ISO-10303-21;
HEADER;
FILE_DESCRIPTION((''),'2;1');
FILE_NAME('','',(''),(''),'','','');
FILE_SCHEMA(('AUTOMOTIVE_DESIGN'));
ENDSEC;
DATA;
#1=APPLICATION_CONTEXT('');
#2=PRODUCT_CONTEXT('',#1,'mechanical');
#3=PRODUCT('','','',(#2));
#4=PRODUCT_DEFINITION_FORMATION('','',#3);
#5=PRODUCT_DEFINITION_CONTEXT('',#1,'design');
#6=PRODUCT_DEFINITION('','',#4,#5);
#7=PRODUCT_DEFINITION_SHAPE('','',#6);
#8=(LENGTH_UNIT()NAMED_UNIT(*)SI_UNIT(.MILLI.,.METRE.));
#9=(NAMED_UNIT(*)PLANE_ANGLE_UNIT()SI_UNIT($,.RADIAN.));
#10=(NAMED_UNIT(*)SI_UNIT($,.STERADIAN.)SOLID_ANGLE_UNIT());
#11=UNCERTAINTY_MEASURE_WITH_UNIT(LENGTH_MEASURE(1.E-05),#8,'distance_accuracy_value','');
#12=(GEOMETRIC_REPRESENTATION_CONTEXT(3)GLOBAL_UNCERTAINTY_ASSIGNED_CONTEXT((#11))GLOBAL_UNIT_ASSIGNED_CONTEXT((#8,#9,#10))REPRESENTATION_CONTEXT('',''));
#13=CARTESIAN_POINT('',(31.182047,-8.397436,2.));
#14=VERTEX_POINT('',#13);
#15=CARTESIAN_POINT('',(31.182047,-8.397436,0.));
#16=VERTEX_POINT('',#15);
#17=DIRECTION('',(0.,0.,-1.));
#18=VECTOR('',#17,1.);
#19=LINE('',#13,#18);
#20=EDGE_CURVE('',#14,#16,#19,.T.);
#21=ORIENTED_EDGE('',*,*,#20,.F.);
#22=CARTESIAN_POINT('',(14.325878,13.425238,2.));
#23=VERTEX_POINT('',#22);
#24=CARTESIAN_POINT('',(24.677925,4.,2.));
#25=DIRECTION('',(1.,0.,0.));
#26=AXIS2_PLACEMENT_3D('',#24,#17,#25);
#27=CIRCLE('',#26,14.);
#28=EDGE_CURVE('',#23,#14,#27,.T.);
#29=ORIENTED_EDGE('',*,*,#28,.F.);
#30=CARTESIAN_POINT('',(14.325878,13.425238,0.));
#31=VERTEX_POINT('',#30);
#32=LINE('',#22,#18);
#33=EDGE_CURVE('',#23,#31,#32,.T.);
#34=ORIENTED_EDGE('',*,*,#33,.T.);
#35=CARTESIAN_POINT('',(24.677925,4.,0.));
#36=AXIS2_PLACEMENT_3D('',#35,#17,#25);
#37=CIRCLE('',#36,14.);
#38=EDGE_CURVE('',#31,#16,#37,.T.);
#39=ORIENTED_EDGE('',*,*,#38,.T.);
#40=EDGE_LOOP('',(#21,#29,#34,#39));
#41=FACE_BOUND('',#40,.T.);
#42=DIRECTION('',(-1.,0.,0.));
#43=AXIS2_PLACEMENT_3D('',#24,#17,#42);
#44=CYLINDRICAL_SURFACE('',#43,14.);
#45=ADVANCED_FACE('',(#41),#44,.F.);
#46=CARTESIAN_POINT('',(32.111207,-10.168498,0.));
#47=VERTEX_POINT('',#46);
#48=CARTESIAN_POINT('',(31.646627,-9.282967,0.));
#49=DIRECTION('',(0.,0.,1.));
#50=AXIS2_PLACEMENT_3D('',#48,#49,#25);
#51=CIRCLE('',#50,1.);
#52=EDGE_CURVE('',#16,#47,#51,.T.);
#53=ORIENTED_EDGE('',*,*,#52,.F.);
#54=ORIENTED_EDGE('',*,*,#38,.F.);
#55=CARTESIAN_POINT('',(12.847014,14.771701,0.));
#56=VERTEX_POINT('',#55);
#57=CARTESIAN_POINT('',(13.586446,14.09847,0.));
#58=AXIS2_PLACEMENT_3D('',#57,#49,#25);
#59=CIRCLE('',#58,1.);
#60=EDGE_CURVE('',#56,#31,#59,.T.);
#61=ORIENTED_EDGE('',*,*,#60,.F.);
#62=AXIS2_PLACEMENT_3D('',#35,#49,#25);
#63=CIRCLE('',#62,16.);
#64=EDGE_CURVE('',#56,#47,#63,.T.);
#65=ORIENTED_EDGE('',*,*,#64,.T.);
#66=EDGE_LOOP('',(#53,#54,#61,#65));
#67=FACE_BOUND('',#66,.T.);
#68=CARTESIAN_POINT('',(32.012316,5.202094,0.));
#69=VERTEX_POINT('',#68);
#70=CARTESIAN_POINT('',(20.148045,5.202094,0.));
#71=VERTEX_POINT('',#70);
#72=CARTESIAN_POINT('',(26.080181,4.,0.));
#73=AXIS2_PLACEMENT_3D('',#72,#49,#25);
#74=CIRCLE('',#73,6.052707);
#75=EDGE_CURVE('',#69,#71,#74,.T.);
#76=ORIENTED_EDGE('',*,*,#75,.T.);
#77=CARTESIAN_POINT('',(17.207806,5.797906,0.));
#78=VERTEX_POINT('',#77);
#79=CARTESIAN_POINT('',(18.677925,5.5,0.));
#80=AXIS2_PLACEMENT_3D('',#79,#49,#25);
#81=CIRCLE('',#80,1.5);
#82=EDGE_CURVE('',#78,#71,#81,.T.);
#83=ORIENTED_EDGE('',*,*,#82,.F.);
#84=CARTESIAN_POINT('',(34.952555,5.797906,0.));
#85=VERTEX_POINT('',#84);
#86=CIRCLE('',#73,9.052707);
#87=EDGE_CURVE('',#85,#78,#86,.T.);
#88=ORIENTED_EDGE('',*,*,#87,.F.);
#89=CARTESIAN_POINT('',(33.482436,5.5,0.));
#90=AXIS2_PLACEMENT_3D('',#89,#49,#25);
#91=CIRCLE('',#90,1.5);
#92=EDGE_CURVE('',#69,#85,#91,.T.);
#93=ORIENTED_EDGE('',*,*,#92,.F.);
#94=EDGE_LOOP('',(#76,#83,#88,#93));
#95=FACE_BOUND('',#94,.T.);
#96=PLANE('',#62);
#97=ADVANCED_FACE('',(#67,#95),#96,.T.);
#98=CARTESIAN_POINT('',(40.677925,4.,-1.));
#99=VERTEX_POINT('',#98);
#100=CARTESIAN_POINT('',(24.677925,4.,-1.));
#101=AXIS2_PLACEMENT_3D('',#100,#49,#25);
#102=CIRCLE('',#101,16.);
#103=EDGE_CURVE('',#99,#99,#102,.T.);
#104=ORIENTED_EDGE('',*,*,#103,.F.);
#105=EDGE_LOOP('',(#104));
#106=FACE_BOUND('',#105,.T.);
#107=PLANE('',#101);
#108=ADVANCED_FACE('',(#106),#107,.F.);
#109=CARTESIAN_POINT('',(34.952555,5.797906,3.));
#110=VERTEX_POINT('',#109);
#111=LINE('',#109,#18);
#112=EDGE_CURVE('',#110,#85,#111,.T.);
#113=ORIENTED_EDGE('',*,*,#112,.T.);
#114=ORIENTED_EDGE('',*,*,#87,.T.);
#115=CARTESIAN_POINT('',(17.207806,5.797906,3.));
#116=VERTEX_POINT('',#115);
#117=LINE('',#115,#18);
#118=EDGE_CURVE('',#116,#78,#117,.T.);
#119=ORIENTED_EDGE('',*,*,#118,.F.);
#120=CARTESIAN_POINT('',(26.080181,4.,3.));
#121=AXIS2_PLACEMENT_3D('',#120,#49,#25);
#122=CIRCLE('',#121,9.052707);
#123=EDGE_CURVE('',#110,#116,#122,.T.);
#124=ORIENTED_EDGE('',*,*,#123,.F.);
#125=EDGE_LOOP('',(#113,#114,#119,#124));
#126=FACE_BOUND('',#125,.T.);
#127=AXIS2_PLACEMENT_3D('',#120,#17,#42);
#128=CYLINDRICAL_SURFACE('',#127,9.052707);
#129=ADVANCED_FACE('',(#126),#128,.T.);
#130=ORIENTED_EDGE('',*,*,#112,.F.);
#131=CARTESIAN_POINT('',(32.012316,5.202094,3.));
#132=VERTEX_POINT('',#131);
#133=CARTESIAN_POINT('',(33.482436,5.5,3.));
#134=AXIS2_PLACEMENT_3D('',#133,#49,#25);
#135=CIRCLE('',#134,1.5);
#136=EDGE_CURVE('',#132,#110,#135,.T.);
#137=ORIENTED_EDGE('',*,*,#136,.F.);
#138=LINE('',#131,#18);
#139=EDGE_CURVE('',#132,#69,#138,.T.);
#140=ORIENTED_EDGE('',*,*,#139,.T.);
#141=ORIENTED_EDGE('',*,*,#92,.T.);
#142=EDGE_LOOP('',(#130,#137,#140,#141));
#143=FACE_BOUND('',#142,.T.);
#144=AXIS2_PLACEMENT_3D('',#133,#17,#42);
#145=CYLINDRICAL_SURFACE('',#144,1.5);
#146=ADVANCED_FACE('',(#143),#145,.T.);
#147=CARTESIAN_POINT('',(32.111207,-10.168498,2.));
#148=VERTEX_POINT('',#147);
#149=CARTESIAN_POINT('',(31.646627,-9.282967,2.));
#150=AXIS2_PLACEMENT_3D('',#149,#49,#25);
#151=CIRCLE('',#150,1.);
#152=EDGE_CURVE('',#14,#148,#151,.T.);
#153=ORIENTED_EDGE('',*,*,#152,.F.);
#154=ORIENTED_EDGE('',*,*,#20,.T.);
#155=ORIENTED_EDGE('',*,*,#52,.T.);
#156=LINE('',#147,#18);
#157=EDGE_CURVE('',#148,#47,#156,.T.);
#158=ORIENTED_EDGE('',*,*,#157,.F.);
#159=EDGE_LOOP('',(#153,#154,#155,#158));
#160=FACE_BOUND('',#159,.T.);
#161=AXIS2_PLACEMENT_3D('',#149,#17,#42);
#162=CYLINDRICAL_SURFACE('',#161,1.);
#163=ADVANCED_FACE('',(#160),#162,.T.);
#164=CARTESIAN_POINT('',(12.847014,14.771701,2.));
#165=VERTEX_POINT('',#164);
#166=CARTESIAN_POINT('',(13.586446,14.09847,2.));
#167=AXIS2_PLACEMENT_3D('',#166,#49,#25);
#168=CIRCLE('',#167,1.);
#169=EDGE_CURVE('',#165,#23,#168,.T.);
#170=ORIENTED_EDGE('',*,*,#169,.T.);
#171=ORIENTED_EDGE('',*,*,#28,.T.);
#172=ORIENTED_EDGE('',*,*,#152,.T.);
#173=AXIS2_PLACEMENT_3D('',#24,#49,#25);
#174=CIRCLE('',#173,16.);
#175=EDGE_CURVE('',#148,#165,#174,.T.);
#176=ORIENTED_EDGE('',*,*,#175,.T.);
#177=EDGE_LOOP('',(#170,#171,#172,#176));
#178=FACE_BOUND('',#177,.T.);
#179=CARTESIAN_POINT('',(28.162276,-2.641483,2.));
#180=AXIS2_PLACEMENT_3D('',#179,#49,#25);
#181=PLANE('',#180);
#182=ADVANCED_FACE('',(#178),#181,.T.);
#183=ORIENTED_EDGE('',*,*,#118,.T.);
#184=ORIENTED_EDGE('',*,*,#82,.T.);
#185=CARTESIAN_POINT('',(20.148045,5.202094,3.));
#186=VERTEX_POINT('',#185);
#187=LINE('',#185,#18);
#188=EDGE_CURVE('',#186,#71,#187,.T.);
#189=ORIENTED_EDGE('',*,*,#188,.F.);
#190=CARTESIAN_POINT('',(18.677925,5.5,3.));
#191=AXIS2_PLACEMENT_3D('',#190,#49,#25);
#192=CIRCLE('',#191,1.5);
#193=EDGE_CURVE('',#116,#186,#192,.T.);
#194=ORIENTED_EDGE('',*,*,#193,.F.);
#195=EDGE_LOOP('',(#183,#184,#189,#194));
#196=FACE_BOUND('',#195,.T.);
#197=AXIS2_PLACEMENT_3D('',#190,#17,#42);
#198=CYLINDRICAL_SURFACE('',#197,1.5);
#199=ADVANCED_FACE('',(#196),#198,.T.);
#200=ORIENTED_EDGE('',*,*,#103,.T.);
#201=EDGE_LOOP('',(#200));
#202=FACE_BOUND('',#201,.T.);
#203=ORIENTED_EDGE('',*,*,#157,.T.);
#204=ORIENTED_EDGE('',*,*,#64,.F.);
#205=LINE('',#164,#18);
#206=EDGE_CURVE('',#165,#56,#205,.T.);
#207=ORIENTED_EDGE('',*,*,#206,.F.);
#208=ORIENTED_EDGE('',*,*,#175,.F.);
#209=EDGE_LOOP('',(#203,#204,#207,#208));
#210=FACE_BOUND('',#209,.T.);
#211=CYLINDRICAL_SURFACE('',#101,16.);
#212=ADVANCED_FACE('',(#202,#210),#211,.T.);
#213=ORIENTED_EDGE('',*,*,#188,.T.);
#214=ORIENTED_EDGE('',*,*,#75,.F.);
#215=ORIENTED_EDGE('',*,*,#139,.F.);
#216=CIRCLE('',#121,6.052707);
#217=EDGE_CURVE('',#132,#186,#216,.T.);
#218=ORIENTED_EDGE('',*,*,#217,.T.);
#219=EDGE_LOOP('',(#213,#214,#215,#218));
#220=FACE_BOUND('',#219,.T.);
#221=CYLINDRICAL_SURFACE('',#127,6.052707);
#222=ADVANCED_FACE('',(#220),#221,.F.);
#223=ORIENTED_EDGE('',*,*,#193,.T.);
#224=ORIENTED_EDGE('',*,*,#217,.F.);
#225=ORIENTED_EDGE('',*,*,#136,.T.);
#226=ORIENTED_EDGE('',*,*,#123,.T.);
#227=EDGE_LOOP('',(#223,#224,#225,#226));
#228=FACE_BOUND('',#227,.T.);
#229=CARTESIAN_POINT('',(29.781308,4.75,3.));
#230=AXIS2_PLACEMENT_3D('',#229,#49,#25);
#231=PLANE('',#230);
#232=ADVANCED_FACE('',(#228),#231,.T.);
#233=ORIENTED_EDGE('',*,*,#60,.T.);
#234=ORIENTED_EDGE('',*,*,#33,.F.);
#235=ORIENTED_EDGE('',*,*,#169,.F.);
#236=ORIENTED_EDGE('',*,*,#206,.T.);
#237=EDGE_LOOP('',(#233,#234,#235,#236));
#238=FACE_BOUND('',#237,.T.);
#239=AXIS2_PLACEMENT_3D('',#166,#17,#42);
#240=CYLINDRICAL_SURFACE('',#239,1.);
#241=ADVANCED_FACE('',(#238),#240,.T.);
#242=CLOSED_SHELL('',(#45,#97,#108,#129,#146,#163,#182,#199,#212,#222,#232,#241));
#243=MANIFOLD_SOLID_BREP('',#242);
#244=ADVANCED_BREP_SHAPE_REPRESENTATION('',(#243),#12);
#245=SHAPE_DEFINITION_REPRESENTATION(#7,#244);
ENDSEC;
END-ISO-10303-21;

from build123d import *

# Parameters (mm, degrees)
SKETCH1_R           = 16
BOSS_EXTRUDE1_DEPTH = 1
BOSS_EXTRUDE2_DEPTH = 3
BOSS_EXTRUDE3_START = 2
BOSS_EXTRUDE3_DEPTH = 2


with BuildPart() as part:
    # Sketch1 → Boss-Extrude1 (new body)
    with BuildSketch(Plane.XY):
        with Locations((24.677925359, 4)):
            Circle(SKETCH1_R)
    extrude(amount=-BOSS_EXTRUDE1_DEPTH)

    # Sketch1<3> → Boss-Extrude2 (add)
    with BuildSketch(Plane.XY):
        with BuildLine():
            ThreePointArc((34.952555431, 5.797906435), (26.080180575, 13.052706951), (17.207805718, 5.797906435))
            ThreePointArc((17.207805718, 5.797906435), (18.380018924, 4.02988036), (20.148044999, 5.202093565))
            ThreePointArc((20.148044999, 5.202093565), (26.080180575, 10.052706951), (32.01231615, 5.202093565))
            ThreePointArc((32.01231615, 5.202093565), (33.780342225, 4.02988036), (34.952555431, 5.797906435))
        make_face()
    extrude(amount=BOSS_EXTRUDE2_DEPTH)

    # Sketch2 → Boss-Extrude3 (add)
    with BuildSketch(Plane.XY.offset(BOSS_EXTRUDE3_START)):
        with BuildLine():
            ThreePointArc((32.111206734, -10.168497733), (37.340396009, 13.78068694), (12.847014077, 14.771700806))
            ThreePointArc((12.847014077, 14.771700806), (12.913214732, 13.35903755), (14.325877987, 13.425238205))
            ThreePointArc((14.325877987, 13.425238205), (35.757587178, 12.558101073), (31.182046562, -8.397435516))
            ThreePointArc((31.182046562, -8.397435516), (30.761095539, -9.74754671), (32.111206734, -10.168497733))
        make_face()
    extrude(amount=-BOSS_EXTRUDE3_DEPTH)


solid = part.part
